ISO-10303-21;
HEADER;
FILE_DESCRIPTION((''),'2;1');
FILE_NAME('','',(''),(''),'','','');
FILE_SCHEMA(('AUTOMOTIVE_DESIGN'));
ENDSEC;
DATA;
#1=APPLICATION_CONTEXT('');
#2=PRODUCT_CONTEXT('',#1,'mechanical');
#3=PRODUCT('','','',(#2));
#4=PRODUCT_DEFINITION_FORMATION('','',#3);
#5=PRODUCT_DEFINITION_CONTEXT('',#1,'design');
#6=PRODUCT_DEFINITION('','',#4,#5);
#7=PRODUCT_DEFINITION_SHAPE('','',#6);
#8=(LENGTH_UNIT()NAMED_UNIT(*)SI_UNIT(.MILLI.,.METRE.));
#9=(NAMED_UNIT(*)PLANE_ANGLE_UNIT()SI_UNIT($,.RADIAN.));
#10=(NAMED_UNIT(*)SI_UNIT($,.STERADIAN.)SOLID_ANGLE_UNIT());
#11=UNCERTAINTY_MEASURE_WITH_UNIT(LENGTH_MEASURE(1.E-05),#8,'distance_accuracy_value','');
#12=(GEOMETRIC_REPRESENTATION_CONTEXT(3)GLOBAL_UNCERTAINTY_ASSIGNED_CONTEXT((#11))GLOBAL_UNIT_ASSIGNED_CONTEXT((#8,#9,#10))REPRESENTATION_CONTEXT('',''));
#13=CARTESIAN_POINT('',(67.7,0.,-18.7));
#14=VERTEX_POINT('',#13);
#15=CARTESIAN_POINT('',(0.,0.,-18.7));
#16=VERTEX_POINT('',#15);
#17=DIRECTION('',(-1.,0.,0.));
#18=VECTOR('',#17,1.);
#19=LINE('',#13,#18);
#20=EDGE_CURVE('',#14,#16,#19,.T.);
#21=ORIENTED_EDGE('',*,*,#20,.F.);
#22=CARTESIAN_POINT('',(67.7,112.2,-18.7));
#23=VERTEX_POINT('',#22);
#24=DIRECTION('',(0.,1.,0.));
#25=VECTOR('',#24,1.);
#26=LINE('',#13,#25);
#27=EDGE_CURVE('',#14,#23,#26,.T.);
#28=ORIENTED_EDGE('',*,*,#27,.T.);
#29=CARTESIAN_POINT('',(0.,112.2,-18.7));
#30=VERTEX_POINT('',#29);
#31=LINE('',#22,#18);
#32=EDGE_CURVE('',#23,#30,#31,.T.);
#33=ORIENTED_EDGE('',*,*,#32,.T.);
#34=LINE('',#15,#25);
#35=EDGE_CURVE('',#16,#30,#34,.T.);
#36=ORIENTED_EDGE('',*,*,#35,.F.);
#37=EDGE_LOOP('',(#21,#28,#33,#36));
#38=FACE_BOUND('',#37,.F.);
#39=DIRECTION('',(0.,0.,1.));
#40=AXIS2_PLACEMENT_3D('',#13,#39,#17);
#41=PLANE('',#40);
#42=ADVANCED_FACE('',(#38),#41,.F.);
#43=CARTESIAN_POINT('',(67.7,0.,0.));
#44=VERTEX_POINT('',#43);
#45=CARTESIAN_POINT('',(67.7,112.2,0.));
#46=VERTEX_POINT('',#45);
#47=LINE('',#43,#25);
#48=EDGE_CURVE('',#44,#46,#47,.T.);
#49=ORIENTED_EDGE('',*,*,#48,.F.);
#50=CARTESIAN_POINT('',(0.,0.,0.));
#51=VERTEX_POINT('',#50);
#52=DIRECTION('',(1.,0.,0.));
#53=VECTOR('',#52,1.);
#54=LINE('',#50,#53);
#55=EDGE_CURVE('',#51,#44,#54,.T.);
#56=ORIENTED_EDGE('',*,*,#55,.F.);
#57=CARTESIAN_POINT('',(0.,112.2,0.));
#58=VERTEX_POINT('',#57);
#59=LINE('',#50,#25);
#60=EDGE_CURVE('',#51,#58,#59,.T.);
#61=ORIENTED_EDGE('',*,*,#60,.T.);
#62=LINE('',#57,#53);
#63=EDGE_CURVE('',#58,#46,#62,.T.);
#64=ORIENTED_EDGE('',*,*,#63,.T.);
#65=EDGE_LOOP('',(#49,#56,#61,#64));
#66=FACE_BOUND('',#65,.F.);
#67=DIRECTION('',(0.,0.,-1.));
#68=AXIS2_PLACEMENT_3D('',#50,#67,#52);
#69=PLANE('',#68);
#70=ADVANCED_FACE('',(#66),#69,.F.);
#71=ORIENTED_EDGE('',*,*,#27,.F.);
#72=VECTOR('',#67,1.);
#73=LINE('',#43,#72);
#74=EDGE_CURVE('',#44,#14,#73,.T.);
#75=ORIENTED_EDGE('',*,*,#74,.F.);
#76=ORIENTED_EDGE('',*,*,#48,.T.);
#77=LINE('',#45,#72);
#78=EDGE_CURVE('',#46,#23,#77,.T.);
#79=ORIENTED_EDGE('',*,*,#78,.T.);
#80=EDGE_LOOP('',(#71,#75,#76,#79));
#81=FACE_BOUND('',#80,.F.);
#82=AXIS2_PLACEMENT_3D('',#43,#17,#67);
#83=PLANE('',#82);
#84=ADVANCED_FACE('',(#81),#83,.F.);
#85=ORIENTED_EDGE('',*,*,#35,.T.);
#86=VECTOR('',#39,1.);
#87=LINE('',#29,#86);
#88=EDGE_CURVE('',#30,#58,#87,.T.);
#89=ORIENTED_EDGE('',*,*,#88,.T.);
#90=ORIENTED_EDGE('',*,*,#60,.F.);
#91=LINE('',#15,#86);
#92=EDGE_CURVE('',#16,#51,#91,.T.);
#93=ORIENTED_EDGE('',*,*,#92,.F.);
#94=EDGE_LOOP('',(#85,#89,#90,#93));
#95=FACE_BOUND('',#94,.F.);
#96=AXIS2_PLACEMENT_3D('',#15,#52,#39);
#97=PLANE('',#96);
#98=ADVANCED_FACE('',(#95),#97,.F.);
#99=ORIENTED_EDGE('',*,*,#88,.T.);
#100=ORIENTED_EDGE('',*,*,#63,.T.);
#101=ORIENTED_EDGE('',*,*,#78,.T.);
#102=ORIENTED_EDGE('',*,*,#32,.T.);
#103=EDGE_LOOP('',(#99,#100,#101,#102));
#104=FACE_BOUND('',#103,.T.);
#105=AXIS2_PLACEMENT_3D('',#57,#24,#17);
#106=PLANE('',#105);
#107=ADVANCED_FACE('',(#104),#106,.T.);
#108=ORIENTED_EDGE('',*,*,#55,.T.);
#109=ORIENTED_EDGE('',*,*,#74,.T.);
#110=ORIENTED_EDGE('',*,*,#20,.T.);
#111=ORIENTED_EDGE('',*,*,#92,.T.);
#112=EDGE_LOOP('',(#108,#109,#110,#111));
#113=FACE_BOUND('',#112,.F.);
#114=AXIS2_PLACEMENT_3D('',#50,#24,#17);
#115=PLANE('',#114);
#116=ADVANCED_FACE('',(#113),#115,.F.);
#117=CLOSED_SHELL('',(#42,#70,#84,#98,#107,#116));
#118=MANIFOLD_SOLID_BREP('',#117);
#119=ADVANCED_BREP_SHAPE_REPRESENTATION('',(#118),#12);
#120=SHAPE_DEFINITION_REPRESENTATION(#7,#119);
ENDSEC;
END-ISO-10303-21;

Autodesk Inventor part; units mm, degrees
ref_plane "YZ Plane" through (0, 0, 0) normal (1, 0, 0) x (0, 1, 0)
ref_plane "XZ Plane" through (0, 0, 0) normal (0, 1, 0) x (-1, 0, 0)
ref_plane "XY Plane" through (0, 0, 0) normal (0, 0, 1) x (1, 0, 0)
sketch "Sketch4" plane through (0, 0, 0) normal (0, 1, 0) x (-1, 0, 0)
  line L0 (0, 0) -> (-67.7, 0)
  line L1 (-67.7, 0) -> (-67.7, -18.7)
  line L2 (-67.7, -18.7) -> (0, -18.7)
  line L3 (0, -18.7) -> (0, 0)
  dimension "d103" = 67.7
  dimension "d104" = 18.7
extrude "Extrusion7" add sketch "Sketch4" along normal blind 112.2
properties part number "airfoil"
